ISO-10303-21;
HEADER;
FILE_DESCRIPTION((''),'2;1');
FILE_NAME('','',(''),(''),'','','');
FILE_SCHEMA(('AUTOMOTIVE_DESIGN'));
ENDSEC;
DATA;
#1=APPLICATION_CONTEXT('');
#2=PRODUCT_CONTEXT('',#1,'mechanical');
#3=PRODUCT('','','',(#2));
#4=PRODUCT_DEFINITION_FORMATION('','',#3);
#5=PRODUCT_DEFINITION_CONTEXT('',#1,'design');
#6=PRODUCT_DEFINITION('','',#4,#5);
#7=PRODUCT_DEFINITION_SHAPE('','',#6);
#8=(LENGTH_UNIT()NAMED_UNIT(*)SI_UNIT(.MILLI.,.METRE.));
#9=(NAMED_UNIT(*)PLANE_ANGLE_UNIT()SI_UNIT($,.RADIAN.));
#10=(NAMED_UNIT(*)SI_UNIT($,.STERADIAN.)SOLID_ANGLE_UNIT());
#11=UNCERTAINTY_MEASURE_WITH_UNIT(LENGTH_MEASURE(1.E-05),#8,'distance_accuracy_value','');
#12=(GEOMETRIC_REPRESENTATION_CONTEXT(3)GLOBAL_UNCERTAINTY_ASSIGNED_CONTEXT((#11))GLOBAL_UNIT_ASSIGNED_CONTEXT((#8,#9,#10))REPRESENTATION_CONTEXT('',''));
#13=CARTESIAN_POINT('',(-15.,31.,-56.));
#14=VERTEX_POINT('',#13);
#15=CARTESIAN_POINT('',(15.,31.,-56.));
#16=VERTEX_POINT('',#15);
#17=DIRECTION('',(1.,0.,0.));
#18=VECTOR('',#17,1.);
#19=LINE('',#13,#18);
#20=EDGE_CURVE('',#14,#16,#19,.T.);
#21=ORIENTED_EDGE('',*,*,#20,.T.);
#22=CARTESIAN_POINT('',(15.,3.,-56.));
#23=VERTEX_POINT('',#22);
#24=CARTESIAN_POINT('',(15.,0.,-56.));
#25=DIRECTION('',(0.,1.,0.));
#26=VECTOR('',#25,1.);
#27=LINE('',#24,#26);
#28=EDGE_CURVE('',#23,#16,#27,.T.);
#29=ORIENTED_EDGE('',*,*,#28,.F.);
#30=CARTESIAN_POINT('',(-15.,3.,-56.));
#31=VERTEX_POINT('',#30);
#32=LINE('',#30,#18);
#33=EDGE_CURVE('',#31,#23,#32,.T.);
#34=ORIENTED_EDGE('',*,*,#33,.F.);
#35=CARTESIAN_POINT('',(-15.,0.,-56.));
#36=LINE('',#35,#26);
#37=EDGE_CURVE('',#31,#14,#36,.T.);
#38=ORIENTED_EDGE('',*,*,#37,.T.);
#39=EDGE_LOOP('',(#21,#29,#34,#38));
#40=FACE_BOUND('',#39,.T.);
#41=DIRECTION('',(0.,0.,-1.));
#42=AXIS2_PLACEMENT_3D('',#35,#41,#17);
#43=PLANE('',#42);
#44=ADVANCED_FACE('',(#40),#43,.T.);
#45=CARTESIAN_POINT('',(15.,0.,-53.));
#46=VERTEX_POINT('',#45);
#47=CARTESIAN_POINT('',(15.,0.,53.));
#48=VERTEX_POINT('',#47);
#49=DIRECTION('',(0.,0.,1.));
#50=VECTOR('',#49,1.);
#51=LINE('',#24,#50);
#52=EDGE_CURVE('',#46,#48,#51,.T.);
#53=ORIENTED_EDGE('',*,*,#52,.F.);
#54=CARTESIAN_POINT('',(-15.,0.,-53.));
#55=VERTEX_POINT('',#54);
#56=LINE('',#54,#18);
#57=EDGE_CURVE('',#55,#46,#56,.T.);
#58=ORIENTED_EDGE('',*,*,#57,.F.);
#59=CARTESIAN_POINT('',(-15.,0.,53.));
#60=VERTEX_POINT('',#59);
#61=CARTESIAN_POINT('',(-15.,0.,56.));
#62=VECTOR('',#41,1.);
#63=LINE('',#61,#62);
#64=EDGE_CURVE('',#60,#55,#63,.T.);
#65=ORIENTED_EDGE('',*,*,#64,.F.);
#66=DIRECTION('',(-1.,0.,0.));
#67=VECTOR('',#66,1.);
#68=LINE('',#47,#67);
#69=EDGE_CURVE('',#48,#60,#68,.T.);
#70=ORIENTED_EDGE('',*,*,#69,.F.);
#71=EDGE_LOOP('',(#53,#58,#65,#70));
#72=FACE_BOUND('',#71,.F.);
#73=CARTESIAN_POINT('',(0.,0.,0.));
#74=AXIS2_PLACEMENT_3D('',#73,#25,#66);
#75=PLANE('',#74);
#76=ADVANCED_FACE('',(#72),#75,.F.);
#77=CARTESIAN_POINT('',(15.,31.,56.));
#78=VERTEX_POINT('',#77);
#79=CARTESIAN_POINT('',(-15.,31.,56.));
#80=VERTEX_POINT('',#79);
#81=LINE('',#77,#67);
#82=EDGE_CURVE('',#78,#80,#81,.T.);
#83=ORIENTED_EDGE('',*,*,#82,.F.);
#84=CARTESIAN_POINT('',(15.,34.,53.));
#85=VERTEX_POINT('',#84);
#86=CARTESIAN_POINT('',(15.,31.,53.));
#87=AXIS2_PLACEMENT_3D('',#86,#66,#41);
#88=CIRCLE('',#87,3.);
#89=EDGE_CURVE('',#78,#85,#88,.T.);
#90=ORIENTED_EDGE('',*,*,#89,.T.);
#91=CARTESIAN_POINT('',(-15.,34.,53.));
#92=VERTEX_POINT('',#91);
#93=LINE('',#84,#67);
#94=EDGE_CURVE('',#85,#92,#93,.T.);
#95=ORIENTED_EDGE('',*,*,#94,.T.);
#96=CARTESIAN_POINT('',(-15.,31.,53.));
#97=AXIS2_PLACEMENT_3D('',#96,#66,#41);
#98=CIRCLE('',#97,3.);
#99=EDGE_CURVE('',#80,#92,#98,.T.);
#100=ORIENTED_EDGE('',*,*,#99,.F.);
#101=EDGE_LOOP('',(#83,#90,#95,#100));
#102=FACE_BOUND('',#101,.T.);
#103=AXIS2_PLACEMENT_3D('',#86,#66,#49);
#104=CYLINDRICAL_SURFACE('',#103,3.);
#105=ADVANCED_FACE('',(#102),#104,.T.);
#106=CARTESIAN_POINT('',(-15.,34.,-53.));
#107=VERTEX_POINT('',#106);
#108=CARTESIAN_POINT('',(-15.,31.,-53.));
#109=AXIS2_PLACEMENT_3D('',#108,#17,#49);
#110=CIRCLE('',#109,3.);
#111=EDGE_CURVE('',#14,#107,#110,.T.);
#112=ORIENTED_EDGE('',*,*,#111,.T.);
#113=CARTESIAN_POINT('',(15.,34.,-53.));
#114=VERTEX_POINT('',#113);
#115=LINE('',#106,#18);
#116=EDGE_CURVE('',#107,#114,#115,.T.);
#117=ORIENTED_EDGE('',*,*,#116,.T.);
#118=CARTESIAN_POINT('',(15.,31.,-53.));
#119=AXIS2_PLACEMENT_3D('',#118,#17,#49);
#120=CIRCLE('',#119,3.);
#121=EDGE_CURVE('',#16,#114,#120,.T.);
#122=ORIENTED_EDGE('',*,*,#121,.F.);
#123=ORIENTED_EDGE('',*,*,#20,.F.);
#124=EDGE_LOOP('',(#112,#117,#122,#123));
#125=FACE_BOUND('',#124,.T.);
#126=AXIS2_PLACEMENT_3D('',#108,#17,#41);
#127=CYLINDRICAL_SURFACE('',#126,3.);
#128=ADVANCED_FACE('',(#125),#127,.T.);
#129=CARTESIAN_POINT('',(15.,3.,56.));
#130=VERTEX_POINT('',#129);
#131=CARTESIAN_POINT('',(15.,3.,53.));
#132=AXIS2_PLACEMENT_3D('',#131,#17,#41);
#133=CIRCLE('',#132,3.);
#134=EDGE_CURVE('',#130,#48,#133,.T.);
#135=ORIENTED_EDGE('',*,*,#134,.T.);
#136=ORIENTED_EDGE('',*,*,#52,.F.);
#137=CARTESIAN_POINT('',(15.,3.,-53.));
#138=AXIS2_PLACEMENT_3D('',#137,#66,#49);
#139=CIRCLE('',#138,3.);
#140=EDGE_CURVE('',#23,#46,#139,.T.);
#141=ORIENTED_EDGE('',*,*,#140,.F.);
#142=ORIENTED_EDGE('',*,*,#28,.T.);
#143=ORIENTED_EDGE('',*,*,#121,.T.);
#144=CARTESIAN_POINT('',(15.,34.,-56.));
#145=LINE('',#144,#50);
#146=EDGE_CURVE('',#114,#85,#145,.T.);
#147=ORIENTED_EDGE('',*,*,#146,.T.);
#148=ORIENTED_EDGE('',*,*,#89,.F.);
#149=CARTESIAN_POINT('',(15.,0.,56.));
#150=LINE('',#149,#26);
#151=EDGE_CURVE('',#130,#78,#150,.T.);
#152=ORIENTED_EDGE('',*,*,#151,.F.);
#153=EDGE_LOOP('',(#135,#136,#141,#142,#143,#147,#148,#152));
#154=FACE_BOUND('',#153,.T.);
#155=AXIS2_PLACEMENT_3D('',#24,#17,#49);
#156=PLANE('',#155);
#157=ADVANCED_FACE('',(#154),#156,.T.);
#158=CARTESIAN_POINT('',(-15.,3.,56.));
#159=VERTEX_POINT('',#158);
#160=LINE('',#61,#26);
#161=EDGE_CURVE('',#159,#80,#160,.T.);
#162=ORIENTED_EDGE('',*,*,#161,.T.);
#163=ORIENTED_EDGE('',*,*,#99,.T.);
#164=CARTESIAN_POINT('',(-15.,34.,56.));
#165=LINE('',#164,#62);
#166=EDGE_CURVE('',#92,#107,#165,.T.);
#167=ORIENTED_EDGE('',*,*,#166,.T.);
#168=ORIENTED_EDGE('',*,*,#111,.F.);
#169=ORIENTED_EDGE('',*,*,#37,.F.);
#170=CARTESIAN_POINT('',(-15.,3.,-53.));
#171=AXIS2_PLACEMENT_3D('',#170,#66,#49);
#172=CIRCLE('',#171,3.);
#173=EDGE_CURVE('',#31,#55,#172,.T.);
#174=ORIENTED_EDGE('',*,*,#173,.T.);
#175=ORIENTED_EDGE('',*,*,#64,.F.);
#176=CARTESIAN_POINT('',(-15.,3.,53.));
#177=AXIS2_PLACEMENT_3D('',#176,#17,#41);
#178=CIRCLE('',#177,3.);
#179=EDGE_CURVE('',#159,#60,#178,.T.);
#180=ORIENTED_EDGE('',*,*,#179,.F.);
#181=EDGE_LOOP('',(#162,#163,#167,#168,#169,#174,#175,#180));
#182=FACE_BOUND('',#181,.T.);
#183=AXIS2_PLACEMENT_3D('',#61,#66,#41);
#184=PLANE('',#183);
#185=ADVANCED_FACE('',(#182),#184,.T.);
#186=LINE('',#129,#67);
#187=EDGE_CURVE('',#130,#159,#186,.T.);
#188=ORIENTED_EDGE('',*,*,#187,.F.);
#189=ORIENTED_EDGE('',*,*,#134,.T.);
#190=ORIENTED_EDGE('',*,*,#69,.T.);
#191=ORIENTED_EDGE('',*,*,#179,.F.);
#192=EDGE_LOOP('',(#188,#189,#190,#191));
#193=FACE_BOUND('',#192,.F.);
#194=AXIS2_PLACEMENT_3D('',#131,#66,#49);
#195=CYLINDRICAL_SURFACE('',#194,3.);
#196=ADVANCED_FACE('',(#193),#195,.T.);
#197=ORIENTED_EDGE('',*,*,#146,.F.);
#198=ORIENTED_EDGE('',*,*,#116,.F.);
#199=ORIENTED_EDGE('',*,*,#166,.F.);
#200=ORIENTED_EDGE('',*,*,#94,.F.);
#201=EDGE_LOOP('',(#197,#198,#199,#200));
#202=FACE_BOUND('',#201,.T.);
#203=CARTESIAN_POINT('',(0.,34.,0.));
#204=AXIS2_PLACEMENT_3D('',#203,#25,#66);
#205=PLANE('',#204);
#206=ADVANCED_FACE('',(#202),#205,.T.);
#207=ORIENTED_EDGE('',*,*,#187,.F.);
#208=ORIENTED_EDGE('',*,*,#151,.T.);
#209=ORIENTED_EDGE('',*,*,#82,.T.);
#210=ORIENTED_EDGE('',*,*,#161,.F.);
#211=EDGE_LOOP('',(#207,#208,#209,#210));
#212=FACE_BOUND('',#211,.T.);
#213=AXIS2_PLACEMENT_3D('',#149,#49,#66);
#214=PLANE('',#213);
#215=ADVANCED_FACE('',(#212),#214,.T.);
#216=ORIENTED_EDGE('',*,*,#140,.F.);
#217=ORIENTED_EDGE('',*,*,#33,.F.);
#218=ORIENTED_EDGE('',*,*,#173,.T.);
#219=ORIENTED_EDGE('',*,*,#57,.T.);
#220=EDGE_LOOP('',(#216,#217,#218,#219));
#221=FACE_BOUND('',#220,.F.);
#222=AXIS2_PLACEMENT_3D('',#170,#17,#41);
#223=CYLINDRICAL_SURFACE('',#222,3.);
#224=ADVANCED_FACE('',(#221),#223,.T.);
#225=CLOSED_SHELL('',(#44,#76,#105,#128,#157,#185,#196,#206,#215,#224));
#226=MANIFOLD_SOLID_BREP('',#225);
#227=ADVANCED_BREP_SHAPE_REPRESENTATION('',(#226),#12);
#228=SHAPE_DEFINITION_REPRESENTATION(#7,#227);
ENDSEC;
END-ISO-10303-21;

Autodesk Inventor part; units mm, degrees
ref_plane "YZ Plane" through (0, 0, 0) normal (1, 0, 0) x (0, 1, 0)
ref_plane "XZ Plane" through (0, 0, 0) normal (0, 1, 0) x (-1, 0, 0)
ref_plane "XY Plane" through (0, 0, 0) normal (0, 0, 1) x (1, 0, 0)
sketch "Sketch1" plane through (0, 0, 0) normal (0, 1, 0) x (-1, 0, 0)
  line L0 (-15, 56) -> (15, 56)
  line L1 (15, 56) -> (15, -56)
  line L2 (15, -56) -> (-15, -56)
  line L3 (-15, -56) -> (-15, 56)
  line L4 (-15, 56) -> (15, -56) construction
  line L5 (15, 56) -> (-15, -56) construction
  point P0 (0, 0)
  dimension "d0" = 30
  dimension "d1" = 112
extrude "Extrusion1" add sketch "Sketch1" along normal blind 34
fillet "Fillet1" radius 3 4 edges at (0, 34, -56) (0, 0, -56) (0, 34, 56) (0, 0, 56)
properties part number "battery"
